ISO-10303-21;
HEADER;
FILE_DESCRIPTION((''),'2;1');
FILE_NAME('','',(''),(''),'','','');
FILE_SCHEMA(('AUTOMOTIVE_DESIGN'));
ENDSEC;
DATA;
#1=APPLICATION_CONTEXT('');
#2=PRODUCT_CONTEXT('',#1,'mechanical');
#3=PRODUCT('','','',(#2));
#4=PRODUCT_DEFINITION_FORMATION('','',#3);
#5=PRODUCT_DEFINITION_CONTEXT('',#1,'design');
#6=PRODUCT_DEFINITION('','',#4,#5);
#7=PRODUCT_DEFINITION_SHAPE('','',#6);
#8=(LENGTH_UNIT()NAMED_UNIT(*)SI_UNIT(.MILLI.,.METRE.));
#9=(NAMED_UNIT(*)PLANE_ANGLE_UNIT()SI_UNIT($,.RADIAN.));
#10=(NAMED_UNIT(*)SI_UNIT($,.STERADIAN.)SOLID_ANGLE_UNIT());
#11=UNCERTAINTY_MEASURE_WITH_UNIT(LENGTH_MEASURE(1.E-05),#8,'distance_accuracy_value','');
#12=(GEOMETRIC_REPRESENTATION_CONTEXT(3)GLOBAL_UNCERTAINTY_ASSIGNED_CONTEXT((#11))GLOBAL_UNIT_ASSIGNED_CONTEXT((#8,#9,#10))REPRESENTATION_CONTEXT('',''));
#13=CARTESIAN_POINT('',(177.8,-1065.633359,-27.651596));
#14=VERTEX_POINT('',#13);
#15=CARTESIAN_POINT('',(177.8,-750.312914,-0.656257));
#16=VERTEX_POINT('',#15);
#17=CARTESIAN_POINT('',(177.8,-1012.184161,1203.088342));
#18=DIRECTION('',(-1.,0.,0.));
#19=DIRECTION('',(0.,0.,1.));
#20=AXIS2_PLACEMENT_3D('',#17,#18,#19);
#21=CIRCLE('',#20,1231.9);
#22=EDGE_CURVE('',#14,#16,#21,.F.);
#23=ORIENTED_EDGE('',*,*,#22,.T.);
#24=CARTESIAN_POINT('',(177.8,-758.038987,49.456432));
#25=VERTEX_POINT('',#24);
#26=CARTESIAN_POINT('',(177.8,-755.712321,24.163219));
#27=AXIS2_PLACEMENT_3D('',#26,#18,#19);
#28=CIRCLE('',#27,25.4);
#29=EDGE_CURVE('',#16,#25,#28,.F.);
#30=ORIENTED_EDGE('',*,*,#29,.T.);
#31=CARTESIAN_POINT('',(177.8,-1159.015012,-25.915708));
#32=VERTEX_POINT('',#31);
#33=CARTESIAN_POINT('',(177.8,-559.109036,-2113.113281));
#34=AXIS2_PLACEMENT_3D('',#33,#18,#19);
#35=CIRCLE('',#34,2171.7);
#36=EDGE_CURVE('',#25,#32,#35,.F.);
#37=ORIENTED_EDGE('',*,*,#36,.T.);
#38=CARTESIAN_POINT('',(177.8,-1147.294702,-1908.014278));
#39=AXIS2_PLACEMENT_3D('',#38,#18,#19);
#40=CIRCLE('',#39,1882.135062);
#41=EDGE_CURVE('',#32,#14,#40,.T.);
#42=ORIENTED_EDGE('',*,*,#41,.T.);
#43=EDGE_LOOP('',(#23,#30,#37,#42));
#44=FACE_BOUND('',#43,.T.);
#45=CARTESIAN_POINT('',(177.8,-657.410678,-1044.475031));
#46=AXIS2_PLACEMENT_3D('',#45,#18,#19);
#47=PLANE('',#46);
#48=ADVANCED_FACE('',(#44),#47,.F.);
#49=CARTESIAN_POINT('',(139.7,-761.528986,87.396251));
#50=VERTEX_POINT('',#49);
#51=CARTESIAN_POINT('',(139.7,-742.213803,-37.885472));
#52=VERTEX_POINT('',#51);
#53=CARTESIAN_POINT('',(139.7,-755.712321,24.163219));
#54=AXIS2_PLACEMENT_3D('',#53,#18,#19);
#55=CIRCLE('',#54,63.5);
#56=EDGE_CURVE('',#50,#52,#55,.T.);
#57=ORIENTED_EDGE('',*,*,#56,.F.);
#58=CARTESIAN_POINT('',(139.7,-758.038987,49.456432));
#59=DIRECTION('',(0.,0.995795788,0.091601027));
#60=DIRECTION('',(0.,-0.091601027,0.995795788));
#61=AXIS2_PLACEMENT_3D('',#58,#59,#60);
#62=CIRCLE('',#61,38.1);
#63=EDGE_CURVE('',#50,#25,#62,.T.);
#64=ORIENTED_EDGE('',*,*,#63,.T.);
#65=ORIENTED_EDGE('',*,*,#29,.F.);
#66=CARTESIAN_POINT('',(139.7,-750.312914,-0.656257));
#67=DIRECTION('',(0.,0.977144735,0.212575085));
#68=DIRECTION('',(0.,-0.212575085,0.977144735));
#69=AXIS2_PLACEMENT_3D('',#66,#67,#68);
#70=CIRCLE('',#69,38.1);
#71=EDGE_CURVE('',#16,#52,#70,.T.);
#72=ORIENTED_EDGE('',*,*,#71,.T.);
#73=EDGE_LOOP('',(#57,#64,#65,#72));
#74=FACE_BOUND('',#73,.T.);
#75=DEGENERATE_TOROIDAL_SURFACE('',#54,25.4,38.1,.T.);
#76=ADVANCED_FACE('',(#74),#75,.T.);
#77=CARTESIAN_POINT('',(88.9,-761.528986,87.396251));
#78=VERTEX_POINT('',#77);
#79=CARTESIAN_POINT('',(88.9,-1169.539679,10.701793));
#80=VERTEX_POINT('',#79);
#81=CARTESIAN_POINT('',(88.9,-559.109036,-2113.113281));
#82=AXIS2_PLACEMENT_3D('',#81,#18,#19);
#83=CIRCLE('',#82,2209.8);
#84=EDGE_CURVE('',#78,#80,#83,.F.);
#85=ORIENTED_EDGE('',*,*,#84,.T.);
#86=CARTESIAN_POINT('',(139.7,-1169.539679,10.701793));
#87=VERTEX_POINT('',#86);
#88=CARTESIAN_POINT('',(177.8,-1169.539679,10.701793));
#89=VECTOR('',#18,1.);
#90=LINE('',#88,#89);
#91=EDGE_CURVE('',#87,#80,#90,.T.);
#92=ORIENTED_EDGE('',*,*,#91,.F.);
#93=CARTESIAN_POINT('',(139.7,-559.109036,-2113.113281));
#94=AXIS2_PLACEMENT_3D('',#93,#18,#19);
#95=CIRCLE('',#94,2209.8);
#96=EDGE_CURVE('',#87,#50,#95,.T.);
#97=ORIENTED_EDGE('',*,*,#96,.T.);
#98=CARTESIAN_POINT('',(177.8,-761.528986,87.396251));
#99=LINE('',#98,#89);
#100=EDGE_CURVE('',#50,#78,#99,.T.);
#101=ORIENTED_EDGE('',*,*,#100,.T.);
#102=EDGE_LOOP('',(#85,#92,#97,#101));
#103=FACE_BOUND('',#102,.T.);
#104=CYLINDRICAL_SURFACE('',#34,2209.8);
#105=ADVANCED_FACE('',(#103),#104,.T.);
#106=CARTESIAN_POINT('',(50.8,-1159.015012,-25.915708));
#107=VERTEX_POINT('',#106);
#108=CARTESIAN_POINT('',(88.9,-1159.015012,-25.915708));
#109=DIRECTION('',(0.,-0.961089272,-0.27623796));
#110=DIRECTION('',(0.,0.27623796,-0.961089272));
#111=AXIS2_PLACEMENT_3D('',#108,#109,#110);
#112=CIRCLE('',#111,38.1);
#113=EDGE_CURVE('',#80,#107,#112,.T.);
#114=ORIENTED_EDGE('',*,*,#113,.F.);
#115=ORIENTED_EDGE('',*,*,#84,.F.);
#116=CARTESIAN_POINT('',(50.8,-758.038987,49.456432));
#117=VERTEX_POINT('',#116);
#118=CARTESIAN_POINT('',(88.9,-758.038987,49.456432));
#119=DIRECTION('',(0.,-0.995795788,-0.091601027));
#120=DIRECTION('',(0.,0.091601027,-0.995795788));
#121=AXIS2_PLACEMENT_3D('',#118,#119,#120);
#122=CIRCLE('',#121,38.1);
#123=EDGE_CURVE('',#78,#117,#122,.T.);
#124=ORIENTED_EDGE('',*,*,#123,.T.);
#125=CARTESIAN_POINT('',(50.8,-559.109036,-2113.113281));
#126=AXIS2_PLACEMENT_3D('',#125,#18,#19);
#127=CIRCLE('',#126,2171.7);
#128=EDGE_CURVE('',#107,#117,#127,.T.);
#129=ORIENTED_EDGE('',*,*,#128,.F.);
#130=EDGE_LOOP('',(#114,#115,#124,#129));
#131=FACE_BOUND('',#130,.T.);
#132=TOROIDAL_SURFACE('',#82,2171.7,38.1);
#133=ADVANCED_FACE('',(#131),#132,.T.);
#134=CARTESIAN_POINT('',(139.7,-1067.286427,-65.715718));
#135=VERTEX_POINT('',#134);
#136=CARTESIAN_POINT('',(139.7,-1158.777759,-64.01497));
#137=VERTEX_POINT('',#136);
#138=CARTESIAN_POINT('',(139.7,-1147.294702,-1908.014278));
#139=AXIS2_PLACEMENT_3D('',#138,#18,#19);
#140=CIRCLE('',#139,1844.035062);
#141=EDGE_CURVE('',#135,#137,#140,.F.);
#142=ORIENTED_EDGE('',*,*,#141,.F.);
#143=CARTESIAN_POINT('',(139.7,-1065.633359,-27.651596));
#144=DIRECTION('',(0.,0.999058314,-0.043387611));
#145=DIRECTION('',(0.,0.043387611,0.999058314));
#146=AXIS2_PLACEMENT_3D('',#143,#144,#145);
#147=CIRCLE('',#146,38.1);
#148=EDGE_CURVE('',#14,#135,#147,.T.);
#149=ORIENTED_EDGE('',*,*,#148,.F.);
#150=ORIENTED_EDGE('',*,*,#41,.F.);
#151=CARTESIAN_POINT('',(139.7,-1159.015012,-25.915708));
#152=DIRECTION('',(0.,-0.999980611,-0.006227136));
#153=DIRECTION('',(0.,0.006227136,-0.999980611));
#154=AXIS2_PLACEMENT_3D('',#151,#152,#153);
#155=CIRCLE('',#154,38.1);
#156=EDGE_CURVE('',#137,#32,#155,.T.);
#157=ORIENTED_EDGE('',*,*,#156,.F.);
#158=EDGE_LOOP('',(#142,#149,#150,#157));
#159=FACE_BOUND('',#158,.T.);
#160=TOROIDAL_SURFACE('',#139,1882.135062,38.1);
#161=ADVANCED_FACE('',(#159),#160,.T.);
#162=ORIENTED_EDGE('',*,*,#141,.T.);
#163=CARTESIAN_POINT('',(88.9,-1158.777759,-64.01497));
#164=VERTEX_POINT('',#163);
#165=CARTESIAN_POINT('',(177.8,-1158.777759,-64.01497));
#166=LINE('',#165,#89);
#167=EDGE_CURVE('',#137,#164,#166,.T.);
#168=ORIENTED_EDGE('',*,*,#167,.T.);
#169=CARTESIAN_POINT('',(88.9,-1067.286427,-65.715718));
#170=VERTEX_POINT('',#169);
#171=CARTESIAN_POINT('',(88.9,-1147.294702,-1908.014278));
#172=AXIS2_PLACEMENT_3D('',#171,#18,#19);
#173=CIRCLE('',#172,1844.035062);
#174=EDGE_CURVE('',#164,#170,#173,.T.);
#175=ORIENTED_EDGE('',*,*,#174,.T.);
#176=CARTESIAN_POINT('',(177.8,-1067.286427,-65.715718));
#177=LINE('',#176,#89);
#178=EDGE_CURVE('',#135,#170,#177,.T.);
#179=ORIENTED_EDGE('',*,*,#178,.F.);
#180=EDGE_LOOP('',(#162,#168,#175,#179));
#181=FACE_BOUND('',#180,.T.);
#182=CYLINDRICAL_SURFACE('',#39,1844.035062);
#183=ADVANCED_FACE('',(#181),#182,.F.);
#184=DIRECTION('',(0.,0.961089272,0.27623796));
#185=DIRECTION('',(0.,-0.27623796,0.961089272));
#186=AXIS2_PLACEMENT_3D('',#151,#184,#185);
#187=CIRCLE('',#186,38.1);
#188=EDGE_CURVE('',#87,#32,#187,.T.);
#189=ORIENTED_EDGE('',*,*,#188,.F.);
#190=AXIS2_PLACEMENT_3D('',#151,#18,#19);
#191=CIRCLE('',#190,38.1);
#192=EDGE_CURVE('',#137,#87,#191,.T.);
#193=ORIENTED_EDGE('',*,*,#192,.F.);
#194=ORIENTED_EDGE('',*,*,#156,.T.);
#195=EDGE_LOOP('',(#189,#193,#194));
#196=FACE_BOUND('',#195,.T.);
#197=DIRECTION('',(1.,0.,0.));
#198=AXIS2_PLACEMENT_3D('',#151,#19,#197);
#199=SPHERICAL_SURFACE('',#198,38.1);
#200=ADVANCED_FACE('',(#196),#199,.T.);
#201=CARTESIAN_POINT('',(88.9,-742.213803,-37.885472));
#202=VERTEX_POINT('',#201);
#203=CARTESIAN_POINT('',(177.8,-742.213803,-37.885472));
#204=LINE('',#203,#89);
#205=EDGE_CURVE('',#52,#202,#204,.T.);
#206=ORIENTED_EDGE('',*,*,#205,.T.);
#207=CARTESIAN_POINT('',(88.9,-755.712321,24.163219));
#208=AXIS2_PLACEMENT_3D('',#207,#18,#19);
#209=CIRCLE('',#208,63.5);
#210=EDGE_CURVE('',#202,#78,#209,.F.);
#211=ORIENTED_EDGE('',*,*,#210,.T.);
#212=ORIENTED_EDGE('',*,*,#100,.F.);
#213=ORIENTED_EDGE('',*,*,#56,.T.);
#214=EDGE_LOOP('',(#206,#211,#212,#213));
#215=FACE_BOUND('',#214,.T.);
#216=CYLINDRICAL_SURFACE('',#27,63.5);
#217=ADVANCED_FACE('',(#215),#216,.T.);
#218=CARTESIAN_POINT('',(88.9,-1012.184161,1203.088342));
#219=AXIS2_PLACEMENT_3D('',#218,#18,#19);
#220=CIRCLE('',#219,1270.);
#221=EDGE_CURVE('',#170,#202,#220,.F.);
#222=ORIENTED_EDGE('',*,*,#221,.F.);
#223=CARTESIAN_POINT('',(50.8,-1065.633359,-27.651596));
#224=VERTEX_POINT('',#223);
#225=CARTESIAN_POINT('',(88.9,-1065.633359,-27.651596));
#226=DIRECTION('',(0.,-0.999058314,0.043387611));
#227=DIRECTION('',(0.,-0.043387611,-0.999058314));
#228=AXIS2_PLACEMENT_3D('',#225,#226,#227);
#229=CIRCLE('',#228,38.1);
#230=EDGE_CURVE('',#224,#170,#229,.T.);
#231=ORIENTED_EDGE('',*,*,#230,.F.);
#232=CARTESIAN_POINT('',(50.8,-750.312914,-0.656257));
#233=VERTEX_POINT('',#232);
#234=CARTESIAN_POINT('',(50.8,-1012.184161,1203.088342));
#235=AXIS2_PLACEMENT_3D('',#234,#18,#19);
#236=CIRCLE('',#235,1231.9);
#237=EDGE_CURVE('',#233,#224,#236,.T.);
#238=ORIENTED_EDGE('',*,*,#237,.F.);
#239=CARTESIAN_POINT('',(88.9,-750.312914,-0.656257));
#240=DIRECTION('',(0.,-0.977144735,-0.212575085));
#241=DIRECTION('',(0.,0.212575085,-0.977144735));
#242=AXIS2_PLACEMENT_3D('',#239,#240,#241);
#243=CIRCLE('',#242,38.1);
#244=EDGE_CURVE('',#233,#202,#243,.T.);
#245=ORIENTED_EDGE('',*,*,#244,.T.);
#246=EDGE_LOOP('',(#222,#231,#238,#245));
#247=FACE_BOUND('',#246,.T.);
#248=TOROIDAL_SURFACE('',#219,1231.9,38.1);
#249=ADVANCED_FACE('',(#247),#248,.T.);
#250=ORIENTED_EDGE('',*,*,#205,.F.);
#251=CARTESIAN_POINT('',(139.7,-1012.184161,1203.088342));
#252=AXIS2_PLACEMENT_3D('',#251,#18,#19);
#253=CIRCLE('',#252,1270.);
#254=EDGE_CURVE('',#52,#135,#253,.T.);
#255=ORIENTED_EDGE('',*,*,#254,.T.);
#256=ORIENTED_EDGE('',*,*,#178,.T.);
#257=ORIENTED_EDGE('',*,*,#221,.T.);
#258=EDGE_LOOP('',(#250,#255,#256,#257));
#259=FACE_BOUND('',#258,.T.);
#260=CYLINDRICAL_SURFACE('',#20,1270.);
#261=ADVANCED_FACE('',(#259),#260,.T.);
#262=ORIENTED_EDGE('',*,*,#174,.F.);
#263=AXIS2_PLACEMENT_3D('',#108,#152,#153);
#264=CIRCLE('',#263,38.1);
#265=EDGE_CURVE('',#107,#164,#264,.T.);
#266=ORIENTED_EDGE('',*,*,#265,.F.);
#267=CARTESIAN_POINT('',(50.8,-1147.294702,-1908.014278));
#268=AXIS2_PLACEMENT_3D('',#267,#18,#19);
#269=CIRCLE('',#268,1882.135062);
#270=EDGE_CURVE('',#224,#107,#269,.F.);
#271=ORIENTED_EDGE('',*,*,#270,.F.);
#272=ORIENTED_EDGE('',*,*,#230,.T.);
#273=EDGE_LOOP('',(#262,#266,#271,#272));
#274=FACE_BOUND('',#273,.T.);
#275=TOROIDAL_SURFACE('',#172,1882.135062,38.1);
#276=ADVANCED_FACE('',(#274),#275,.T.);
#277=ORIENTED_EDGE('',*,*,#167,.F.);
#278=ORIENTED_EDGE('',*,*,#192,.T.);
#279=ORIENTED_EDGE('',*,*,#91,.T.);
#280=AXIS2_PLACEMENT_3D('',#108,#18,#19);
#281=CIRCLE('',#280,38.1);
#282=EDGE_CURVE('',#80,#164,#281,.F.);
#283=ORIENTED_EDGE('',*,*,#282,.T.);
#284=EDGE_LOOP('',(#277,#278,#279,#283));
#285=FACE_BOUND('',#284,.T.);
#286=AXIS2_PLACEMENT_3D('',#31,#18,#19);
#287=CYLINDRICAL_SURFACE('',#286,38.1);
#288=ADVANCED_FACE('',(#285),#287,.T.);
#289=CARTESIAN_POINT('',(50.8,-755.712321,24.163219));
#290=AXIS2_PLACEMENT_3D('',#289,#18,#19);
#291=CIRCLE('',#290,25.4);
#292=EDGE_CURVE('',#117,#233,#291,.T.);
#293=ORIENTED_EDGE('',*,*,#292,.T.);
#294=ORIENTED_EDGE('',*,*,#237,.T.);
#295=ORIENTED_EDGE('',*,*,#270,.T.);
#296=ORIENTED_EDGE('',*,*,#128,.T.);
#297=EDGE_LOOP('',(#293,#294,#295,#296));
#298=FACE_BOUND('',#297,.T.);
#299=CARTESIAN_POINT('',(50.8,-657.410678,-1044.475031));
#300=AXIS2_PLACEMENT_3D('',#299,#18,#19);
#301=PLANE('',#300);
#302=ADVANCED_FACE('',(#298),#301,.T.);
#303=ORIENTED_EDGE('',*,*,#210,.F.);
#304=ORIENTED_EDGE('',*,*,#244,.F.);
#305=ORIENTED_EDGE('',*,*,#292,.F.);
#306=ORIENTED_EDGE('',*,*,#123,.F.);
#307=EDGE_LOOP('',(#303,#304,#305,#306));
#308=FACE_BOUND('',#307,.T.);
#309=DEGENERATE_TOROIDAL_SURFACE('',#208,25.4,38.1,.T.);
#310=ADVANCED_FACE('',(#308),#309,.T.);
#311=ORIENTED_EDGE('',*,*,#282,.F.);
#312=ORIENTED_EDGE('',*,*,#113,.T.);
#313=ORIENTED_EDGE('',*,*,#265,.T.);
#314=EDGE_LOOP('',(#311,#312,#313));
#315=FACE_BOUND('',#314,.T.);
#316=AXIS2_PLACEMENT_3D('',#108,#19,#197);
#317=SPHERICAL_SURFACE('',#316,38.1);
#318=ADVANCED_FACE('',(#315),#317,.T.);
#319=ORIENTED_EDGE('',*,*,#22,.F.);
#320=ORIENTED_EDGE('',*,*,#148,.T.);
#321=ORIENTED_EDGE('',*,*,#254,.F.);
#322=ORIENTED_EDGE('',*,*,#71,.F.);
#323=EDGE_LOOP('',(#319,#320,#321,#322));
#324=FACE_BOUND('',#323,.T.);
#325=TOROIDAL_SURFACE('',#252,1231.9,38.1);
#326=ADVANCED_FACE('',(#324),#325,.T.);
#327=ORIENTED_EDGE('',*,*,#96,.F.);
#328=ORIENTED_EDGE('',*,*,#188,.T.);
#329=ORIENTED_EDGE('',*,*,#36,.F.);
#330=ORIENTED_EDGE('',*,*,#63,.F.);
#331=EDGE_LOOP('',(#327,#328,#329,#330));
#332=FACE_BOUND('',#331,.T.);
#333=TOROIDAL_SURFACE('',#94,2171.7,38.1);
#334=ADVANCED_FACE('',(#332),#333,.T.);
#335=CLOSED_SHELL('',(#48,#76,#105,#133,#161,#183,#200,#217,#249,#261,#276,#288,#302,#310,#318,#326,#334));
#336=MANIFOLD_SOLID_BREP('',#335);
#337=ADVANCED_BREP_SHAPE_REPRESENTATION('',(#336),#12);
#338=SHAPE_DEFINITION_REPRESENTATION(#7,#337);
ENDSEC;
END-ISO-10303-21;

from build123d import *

# Parameters (mm, degrees)
BASE_EXTRUDE_DEPTH = 63.5
FILLET1_R          = 38.1


with BuildPart() as part:
    # Sketch7 → Base-Extrude (new, symmetric)
    with BuildSketch(Plane(origin=(114.3, 0, 0), x_dir=(0, 0, -1), z_dir=(1, 0, 0))):
        with BuildLine():
            ThreePointArc((37.885471858, -742.213802936), (-33.838948323, -692.9538134), (-87.396251362, -761.528986099))
            ThreePointArc((-87.396251362, -761.528986099), (-58.651901192, -967.339401786), (-10.701792985, -1169.539678727))
            ThreePointArc((-10.701792985, -1169.539678727), (31.347433103, -1196.725838045), (64.014969584, -1158.777758602))
            ThreePointArc((64.014969584, -1158.777758602), (64.297743258, -1113.02154154), (65.715717531, -1067.286426914))
            ThreePointArc((65.715717531, -1067.286426914), (62.282866841, -903.852702509), (37.885471858, -742.213802936))
        make_face()
    extrude(amount=BASE_EXTRUDE_DEPTH, both=True)

    # Fillet1
    fillet1_edges = [part.edges().sort_by_distance(p)[0] for p in [
        (50.8, -903.852702509, -62.282866841),
        (177.8, -903.852702509, -62.282866841),
        (50.8, -1113.02154154, -64.297743258),
        (177.8, -1113.02154154, -64.297743258),
        (50.8, -1196.725838045, -31.347433103),
        (177.8, -1196.725838045, -31.347433103),
        (50.8, -967.339401786, 58.651901192),
        (177.8, -967.339401786, 58.651901192),
        (177.8, -692.9538134, 33.838948323),
        (50.8, -692.9538134, 33.838948323),
    ]]
    fillet(fillet1_edges, radius=FILLET1_R)


solid = part.part
